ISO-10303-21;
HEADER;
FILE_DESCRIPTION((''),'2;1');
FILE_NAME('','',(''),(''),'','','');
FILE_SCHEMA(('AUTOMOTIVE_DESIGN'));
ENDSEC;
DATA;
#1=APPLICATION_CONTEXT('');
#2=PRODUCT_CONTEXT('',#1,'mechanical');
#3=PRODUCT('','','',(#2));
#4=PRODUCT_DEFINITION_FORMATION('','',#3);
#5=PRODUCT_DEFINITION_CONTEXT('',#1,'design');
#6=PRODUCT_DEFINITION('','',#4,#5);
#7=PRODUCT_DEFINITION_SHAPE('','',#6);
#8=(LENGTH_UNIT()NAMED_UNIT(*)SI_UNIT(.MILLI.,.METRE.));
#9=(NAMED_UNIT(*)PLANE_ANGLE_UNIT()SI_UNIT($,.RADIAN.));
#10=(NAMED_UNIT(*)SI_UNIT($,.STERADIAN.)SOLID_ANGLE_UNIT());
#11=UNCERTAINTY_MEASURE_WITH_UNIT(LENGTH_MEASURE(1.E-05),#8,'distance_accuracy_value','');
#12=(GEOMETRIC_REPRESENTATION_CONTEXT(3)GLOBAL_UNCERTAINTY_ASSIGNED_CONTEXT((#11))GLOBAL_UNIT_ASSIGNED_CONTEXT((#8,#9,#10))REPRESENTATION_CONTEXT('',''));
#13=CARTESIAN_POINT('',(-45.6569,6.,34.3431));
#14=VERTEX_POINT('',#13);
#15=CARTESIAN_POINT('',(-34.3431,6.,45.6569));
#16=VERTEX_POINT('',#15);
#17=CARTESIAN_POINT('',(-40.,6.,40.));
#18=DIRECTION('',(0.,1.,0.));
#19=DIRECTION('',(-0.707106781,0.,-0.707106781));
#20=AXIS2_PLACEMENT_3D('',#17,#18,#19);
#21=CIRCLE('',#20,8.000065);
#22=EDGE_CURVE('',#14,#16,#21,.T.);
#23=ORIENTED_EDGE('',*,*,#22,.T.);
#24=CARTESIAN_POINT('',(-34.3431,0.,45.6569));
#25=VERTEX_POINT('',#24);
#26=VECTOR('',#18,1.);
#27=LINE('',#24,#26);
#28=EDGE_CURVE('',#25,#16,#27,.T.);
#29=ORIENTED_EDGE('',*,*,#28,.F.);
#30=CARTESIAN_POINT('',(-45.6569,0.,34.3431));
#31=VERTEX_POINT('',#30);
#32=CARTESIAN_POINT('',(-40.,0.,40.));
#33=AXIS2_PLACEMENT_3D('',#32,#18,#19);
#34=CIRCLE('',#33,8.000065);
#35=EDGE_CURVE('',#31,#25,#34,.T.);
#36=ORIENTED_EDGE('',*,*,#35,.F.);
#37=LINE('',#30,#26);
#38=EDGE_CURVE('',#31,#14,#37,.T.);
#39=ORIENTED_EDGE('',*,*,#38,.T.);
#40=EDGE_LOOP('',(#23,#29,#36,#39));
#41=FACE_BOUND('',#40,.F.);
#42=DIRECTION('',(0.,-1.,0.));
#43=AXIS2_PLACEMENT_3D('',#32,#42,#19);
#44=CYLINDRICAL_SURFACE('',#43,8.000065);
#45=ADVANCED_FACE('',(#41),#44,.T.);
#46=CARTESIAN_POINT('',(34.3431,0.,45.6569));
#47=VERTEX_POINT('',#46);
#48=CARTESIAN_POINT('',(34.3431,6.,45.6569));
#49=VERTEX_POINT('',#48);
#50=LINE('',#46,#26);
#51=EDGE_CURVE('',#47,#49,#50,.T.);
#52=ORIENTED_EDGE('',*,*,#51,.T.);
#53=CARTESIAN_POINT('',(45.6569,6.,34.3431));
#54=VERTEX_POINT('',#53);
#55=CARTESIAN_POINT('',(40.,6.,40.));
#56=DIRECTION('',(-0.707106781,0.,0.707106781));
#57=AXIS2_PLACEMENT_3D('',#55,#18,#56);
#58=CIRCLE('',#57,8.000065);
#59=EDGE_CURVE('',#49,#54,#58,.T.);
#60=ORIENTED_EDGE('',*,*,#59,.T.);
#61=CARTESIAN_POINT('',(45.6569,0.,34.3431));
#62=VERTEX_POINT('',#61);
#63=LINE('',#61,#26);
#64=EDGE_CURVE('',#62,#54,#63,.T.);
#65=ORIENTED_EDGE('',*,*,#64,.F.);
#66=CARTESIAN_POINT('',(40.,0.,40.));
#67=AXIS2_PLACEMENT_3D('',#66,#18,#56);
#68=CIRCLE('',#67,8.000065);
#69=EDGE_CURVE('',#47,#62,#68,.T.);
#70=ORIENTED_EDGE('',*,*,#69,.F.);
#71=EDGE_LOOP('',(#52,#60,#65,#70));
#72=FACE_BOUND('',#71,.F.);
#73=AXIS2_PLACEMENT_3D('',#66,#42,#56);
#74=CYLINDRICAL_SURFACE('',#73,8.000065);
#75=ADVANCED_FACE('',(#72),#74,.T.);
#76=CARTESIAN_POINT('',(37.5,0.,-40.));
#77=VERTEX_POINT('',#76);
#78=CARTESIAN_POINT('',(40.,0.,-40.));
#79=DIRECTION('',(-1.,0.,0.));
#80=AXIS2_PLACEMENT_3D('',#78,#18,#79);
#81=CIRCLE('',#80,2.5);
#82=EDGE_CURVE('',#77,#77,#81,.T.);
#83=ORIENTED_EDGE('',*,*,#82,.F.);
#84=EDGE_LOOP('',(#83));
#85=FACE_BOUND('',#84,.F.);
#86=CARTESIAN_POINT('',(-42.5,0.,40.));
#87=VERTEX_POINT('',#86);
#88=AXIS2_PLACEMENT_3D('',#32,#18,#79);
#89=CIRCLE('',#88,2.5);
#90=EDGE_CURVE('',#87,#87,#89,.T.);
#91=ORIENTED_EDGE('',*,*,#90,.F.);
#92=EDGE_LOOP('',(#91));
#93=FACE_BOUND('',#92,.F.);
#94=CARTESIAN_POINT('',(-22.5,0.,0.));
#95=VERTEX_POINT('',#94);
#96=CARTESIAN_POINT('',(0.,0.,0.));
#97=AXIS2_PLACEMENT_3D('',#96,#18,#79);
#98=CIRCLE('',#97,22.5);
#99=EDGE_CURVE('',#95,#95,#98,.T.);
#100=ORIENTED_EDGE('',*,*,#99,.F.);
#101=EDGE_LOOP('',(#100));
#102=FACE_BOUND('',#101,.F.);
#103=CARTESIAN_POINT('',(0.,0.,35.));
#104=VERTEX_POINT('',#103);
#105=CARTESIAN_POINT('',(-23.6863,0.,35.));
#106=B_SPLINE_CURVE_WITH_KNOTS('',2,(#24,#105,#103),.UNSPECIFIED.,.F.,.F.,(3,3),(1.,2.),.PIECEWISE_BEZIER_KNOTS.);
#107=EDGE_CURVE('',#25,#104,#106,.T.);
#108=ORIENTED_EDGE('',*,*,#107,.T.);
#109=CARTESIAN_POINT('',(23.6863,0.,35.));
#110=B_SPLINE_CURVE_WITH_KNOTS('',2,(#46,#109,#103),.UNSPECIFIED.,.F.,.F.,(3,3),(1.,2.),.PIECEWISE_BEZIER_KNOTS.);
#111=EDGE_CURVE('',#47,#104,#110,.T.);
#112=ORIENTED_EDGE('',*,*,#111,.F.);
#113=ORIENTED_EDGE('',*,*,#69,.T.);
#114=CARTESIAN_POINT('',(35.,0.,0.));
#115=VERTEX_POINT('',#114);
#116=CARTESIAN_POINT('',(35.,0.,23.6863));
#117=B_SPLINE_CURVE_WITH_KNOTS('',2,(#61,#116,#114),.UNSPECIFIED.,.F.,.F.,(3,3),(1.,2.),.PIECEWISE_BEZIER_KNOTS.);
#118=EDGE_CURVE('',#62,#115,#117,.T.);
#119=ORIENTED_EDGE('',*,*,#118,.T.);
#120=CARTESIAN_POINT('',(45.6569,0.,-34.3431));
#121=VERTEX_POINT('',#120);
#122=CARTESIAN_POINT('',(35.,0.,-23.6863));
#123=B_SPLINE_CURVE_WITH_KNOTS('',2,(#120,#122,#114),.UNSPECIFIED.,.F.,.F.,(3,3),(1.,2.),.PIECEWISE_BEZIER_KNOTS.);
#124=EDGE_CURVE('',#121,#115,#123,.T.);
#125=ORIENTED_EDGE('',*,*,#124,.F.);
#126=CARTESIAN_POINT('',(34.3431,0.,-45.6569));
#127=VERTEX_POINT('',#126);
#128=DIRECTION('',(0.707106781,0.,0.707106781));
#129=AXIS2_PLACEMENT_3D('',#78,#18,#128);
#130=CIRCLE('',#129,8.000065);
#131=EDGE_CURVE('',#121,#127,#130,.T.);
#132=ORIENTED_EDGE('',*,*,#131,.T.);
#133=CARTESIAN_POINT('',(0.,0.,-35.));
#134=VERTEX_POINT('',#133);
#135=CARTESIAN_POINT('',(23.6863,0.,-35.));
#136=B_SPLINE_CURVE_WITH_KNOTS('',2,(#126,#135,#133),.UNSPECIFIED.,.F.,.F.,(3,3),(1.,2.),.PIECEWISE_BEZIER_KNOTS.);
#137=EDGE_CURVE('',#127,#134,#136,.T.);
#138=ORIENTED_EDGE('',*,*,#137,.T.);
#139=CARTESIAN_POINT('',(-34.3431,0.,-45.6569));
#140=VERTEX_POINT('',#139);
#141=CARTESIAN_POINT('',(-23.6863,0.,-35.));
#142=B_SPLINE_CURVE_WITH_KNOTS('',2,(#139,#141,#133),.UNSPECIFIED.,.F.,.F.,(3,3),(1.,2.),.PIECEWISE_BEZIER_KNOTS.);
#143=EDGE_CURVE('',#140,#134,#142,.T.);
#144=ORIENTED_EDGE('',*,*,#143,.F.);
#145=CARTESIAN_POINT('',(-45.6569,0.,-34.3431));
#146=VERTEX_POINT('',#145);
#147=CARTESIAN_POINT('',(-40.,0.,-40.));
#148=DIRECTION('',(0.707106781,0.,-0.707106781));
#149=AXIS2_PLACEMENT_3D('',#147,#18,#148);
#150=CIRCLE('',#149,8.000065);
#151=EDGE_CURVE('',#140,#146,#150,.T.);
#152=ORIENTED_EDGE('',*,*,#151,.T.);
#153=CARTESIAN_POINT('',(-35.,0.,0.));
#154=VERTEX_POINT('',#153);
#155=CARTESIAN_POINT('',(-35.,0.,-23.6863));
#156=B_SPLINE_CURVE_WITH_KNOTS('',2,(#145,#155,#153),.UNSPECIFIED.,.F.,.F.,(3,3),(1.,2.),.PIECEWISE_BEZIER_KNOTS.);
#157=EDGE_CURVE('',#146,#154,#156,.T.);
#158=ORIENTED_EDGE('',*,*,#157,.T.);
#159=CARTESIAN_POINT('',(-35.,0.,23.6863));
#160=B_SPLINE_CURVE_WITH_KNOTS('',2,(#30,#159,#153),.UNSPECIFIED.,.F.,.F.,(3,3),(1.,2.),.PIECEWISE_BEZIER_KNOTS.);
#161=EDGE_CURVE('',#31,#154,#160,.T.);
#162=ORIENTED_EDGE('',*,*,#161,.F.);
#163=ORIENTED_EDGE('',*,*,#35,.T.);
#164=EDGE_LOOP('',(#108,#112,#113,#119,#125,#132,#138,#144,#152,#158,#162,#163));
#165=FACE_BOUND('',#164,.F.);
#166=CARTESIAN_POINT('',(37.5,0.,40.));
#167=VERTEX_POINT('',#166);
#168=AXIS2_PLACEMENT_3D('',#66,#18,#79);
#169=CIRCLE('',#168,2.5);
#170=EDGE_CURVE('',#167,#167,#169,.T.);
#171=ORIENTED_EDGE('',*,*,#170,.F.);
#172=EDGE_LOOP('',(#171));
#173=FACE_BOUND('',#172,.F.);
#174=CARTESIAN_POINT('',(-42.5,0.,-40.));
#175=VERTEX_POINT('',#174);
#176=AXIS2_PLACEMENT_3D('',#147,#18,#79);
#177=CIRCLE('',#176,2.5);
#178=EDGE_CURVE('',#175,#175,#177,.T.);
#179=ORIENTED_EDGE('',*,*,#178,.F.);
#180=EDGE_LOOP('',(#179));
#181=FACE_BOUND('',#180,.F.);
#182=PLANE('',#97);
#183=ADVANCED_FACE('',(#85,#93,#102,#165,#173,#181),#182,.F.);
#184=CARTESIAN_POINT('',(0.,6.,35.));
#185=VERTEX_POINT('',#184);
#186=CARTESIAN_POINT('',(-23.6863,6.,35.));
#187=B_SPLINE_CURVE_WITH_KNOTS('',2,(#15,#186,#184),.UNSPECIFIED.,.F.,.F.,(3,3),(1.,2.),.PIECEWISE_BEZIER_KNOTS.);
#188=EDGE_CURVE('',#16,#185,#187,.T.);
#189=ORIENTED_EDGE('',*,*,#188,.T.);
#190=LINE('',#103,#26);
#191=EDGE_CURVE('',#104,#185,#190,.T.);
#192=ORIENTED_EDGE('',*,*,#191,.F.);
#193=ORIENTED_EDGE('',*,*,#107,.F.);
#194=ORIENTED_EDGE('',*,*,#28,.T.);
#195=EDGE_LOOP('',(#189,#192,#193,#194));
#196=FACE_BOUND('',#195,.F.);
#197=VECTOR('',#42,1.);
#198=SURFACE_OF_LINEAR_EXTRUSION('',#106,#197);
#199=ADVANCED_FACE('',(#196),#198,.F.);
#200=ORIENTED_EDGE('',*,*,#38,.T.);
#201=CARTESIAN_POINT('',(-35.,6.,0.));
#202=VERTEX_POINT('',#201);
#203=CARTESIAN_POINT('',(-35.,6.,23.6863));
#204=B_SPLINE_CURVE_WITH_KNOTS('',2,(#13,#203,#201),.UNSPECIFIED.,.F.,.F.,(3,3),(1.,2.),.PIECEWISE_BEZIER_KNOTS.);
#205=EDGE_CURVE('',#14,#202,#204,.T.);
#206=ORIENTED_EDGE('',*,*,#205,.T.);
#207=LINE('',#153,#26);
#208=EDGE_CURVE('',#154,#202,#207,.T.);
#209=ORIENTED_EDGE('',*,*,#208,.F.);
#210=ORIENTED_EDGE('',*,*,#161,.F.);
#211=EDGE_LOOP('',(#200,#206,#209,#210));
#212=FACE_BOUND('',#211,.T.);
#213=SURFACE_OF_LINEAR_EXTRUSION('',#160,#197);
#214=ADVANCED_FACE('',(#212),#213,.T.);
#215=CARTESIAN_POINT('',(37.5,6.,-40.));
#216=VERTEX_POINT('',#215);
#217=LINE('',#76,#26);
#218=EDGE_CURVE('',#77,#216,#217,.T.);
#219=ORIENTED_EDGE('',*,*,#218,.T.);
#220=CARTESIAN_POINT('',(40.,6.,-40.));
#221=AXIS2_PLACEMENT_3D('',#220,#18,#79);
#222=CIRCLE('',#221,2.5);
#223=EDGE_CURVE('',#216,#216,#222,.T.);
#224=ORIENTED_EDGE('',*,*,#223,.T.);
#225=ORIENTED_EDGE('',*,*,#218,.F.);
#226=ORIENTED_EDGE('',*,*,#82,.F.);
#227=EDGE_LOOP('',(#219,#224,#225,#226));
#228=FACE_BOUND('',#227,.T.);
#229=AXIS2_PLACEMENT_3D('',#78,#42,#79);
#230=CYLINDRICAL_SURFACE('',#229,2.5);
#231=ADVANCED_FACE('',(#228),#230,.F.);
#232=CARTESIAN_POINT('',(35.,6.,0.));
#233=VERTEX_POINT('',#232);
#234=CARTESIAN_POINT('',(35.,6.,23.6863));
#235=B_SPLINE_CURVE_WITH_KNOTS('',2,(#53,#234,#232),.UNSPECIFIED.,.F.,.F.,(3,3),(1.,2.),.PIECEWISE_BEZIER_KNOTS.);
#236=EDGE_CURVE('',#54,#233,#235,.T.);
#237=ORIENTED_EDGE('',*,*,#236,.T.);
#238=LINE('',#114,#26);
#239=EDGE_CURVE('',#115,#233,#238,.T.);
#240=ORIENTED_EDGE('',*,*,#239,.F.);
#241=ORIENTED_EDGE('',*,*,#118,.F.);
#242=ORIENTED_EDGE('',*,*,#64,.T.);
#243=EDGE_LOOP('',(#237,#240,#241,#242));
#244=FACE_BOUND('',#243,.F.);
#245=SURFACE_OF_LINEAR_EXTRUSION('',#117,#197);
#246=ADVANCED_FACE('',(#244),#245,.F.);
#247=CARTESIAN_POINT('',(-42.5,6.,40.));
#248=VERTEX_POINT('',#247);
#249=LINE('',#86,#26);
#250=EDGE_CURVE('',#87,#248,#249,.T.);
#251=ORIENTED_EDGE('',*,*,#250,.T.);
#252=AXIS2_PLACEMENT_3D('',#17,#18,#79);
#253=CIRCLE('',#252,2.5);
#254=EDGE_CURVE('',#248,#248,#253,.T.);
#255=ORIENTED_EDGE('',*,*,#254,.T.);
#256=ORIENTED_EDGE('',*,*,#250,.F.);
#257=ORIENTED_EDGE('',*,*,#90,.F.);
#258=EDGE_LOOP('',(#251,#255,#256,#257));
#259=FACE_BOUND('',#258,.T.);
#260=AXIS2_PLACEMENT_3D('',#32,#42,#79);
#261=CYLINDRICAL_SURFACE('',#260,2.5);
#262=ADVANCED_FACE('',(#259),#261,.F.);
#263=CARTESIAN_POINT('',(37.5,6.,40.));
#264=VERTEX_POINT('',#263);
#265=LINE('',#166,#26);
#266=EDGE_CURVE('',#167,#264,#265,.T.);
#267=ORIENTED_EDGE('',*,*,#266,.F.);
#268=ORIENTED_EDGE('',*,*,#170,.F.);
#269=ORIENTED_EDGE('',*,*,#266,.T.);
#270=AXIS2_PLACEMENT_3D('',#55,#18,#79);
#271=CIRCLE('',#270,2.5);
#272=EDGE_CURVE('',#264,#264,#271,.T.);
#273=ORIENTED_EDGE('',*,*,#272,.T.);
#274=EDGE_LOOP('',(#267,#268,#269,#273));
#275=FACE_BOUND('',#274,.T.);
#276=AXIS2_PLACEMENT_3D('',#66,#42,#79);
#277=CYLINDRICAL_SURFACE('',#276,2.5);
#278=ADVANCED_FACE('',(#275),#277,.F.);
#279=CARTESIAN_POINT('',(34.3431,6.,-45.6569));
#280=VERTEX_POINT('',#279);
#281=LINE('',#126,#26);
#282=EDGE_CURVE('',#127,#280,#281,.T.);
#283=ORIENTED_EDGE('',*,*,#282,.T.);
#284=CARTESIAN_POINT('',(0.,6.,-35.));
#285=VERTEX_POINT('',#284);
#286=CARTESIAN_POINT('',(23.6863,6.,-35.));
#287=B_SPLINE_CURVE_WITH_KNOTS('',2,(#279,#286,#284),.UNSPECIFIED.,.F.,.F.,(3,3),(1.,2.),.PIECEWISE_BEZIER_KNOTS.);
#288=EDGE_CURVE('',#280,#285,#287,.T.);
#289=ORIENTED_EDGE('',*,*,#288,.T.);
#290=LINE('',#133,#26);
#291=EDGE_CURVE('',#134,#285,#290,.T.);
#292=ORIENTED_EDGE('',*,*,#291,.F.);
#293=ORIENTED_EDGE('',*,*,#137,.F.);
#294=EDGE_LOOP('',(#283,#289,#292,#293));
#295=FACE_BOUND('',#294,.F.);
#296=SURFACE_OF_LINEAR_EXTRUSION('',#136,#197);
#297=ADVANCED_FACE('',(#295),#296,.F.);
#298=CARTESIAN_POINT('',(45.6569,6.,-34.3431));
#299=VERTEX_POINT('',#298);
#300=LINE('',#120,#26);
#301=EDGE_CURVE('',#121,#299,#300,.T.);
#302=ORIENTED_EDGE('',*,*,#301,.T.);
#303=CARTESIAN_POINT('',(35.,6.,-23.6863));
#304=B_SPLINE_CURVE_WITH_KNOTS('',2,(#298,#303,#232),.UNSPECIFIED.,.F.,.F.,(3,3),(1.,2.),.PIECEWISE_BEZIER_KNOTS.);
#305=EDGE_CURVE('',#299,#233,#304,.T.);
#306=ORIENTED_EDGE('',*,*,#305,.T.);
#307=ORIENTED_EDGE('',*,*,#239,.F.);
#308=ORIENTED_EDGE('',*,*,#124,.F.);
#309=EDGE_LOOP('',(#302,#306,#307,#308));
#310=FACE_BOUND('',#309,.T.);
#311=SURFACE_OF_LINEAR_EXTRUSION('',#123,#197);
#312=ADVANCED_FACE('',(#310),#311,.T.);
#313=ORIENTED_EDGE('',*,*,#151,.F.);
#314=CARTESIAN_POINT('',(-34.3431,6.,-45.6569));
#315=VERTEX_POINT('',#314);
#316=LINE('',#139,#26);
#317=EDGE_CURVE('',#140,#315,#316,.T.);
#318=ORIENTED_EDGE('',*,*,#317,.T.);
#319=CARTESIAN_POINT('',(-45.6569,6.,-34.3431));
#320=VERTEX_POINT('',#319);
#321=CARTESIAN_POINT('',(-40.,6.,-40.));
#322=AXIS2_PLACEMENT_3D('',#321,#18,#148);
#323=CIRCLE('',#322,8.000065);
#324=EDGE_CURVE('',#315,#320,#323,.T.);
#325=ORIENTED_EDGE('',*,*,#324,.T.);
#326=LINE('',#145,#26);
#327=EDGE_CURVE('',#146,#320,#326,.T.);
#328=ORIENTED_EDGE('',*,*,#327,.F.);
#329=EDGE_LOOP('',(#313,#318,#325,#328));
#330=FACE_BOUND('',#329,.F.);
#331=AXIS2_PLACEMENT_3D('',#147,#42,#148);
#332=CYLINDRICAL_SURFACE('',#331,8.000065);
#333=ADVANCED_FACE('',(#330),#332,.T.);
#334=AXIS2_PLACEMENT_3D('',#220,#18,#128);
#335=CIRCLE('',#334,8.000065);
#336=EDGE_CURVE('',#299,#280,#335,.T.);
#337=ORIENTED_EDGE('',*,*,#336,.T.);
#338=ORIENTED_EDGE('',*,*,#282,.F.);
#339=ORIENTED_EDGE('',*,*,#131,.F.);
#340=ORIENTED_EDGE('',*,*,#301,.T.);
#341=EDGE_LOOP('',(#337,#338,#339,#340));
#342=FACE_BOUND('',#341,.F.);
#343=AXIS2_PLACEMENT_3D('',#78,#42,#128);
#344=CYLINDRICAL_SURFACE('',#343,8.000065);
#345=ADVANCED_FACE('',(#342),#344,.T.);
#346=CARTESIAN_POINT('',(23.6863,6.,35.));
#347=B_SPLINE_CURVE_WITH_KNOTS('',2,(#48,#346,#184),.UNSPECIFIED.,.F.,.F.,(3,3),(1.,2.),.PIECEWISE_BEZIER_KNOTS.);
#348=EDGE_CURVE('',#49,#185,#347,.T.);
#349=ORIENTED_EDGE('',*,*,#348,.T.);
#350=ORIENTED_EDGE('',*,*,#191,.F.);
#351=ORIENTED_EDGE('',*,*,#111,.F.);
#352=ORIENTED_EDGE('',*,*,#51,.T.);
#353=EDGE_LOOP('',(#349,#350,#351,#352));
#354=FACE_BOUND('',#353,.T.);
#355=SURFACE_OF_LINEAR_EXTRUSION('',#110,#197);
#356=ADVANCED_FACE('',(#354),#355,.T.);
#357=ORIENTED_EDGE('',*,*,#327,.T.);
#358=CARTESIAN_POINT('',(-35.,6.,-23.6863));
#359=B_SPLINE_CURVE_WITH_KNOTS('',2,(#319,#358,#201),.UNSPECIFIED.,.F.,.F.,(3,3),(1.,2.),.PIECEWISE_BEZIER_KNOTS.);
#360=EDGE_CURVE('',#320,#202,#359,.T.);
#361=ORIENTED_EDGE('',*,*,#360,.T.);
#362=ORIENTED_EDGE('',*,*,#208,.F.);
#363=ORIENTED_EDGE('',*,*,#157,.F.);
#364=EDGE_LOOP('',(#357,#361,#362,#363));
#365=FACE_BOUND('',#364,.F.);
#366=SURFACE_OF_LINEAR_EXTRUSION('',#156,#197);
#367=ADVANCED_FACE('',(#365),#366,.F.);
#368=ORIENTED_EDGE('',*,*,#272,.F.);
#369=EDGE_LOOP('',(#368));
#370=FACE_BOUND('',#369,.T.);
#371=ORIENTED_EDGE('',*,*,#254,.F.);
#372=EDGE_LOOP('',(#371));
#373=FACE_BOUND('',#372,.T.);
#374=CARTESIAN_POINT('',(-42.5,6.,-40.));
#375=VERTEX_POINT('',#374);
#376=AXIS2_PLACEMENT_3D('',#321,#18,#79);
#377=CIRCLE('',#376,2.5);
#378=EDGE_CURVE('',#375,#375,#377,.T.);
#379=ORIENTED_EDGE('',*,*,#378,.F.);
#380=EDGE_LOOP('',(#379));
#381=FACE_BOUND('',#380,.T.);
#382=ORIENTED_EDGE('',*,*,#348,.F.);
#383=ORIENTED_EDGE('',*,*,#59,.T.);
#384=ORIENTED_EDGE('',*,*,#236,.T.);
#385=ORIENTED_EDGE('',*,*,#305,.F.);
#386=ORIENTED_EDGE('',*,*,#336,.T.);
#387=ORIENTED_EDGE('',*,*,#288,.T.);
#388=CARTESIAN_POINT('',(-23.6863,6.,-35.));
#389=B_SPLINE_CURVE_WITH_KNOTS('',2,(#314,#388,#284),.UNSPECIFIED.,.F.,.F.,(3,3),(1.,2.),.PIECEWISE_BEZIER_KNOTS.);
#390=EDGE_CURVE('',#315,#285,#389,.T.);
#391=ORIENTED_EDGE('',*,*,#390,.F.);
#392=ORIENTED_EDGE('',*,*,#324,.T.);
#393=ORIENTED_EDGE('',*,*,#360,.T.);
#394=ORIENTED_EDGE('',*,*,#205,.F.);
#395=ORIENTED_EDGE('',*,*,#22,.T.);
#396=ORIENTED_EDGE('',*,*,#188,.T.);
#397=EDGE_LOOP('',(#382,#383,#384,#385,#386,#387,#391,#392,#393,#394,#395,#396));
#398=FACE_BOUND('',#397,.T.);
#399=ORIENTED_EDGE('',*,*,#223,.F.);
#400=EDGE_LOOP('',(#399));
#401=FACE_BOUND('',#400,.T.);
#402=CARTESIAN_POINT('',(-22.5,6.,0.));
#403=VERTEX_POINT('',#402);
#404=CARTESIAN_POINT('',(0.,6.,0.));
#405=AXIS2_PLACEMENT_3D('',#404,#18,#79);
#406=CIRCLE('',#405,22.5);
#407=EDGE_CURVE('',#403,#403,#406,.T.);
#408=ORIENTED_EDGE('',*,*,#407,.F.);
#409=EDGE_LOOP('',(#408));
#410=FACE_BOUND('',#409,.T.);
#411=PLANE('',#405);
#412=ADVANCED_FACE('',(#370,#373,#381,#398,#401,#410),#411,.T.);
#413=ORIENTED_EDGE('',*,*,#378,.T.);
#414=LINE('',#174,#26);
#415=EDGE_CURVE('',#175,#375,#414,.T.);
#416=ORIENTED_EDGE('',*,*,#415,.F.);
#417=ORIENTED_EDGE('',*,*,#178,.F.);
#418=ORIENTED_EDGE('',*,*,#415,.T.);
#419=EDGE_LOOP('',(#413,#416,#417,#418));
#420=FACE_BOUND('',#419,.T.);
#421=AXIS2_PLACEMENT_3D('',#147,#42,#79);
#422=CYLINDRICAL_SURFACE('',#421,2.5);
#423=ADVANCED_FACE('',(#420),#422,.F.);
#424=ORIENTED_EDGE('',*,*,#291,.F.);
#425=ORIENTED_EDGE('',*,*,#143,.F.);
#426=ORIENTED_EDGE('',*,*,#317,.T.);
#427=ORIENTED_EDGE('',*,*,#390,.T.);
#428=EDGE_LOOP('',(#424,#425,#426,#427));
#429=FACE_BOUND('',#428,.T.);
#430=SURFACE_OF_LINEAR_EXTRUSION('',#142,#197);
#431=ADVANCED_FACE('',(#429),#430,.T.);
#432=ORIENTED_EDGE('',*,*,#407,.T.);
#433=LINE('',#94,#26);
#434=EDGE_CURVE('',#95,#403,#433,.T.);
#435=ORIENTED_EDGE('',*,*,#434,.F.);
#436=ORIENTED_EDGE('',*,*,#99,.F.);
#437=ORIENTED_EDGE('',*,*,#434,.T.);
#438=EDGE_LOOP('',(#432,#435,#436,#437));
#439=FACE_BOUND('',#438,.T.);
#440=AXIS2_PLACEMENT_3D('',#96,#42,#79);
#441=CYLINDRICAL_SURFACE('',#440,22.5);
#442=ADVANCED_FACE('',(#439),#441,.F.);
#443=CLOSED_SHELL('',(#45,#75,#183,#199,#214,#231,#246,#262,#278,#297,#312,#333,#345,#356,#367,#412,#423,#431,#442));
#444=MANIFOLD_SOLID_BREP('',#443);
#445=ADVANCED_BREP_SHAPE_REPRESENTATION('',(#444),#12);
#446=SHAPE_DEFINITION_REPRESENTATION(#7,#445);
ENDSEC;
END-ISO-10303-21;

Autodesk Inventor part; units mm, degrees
ref_plane "YZ Plane" through (0, 0, 0) normal (1, 0, 0) x (0, 1, 0)
ref_plane "XZ Plane" through (0, 0, 0) normal (0, 1, 0) x (-1, 0, 0)
ref_plane "XY Plane" through (0, 0, 0) normal (0, 0, 1) x (1, 0, 0)
sketch "Sketch1" plane through (0, 0, 0) normal (0, 1, 0) x (-1, 0, 0)
  line L0 (40, -40) -> (-40, -40) construction
  line L1 (-40, -40) -> (-40, 40) construction
  line L2 (-40, 40) -> (40, 40) construction
  line L3 (40, 40) -> (40, -40) construction
  line L4 (40, -40) -> (-40, 40) construction
  line L5 (-40, -40) -> (40, 40) construction
  circle A0 centre (-40, -40) radius 2.5
  arc A1 (-45.6569, -34.3431) -> (-34.3431, -45.6569) centre (-40, -40) ccw
  line L6 (-45.6569, -34.3431) -> (-35, -23.6863) construction
  line L7 (-35, -23.6863) -> (-35, 0) construction
  spline S0 degree 2 poles (-45.6569, -34.3431) (-35, -23.6863) (-35, 0) knots 1 1 1 2 2 2
  line L8 (-34.3431, -45.6569) -> (-45.6569, -34.3431) construction
  circle A2 centre (0, 0) radius 22.5
  line L9 (-34.3431, -45.6569) -> (-23.6863, -35) construction
  line L10 (-23.6863, -35) -> (0, -35) construction
  spline S1 degree 2 poles (-34.3431, -45.6569) (-23.6863, -35) (0, -35) knots 1 1 1 2 2 2
  line L11 (0, 0) -> (0, -47.3827) construction
  line L12 (0, 0) -> (-76.4691, 0) construction
  circle A3 centre (-40, 40) radius 2.5
  arc A4 (-34.3431, 45.6569) -> (-45.6569, 34.3431) centre (-40, 40) ccw
  line L13 (-45.6569, 34.3431) -> (-35, 23.6863) construction
  line L14 (-35, 23.6863) -> (-35, 0) construction
  spline S2 degree 2 poles (-45.6569, 34.3431) (-35, 23.6863) (-35, 0) knots 1 1 1 2 2 2
  spline S3 degree 2 poles (-34.3431, 45.6569) (-23.6863, 35) (0, 35) knots 1 1 1 2 2 2
  line L15 (-34.3431, 45.6569) -> (-23.6863, 35) construction
  line L16 (-23.6863, 35) -> (0, 35) construction
  circle A5 centre (40, -40) radius 2.5
  arc A6 (34.3431, -45.6569) -> (45.6569, -34.3431) centre (40, -40) ccw
  line L17 (45.6569, -34.3431) -> (35, -23.6863) construction
  line L18 (35, -23.6863) -> (35, 0) construction
  spline S4 degree 2 poles (45.6569, -34.3431) (35, -23.6863) (35, 0) knots 1 1 1 2 2 2
  spline S5 degree 2 poles (34.3431, -45.6569) (23.6863, -35) (0, -35) knots 1 1 1 2 2 2
  line L19 (34.3431, -45.6569) -> (23.6863, -35) construction
  line L20 (23.6863, -35) -> (0, -35) construction
  spline S6 degree 2 poles (45.6569, 34.3431) (35, 23.6863) (35, 0) knots 1 1 1 2 2 2
  arc A7 (45.6569, 34.3431) -> (34.3431, 45.6569) centre (40, 40) ccw
  circle A8 centre (40, 40) radius 2.5
  spline S7 degree 2 poles (34.3431, 45.6569) (23.6863, 35) (0, 35) knots 1 1 1 2 2 2
  line L21 (45.6569, 34.3431) -> (35, 23.6863) construction
  line L22 (35, 23.6863) -> (35, 0) construction
  line L23 (34.3431, 45.6569) -> (23.6863, 35) construction
  line L24 (23.6863, 35) -> (0, 35) construction
  dimension "d0" = 80
  dimension "d1" = 80
  dimension "d2" = 5
  dimension "d4" = 45
  dimension "d5" = 5
  dimension "d6" = 45
  dimension "d7" = 8
extrude "Extrusion1" add sketch "Sketch1" along normal blind 6
properties part number "YawBottomPlateThick"
